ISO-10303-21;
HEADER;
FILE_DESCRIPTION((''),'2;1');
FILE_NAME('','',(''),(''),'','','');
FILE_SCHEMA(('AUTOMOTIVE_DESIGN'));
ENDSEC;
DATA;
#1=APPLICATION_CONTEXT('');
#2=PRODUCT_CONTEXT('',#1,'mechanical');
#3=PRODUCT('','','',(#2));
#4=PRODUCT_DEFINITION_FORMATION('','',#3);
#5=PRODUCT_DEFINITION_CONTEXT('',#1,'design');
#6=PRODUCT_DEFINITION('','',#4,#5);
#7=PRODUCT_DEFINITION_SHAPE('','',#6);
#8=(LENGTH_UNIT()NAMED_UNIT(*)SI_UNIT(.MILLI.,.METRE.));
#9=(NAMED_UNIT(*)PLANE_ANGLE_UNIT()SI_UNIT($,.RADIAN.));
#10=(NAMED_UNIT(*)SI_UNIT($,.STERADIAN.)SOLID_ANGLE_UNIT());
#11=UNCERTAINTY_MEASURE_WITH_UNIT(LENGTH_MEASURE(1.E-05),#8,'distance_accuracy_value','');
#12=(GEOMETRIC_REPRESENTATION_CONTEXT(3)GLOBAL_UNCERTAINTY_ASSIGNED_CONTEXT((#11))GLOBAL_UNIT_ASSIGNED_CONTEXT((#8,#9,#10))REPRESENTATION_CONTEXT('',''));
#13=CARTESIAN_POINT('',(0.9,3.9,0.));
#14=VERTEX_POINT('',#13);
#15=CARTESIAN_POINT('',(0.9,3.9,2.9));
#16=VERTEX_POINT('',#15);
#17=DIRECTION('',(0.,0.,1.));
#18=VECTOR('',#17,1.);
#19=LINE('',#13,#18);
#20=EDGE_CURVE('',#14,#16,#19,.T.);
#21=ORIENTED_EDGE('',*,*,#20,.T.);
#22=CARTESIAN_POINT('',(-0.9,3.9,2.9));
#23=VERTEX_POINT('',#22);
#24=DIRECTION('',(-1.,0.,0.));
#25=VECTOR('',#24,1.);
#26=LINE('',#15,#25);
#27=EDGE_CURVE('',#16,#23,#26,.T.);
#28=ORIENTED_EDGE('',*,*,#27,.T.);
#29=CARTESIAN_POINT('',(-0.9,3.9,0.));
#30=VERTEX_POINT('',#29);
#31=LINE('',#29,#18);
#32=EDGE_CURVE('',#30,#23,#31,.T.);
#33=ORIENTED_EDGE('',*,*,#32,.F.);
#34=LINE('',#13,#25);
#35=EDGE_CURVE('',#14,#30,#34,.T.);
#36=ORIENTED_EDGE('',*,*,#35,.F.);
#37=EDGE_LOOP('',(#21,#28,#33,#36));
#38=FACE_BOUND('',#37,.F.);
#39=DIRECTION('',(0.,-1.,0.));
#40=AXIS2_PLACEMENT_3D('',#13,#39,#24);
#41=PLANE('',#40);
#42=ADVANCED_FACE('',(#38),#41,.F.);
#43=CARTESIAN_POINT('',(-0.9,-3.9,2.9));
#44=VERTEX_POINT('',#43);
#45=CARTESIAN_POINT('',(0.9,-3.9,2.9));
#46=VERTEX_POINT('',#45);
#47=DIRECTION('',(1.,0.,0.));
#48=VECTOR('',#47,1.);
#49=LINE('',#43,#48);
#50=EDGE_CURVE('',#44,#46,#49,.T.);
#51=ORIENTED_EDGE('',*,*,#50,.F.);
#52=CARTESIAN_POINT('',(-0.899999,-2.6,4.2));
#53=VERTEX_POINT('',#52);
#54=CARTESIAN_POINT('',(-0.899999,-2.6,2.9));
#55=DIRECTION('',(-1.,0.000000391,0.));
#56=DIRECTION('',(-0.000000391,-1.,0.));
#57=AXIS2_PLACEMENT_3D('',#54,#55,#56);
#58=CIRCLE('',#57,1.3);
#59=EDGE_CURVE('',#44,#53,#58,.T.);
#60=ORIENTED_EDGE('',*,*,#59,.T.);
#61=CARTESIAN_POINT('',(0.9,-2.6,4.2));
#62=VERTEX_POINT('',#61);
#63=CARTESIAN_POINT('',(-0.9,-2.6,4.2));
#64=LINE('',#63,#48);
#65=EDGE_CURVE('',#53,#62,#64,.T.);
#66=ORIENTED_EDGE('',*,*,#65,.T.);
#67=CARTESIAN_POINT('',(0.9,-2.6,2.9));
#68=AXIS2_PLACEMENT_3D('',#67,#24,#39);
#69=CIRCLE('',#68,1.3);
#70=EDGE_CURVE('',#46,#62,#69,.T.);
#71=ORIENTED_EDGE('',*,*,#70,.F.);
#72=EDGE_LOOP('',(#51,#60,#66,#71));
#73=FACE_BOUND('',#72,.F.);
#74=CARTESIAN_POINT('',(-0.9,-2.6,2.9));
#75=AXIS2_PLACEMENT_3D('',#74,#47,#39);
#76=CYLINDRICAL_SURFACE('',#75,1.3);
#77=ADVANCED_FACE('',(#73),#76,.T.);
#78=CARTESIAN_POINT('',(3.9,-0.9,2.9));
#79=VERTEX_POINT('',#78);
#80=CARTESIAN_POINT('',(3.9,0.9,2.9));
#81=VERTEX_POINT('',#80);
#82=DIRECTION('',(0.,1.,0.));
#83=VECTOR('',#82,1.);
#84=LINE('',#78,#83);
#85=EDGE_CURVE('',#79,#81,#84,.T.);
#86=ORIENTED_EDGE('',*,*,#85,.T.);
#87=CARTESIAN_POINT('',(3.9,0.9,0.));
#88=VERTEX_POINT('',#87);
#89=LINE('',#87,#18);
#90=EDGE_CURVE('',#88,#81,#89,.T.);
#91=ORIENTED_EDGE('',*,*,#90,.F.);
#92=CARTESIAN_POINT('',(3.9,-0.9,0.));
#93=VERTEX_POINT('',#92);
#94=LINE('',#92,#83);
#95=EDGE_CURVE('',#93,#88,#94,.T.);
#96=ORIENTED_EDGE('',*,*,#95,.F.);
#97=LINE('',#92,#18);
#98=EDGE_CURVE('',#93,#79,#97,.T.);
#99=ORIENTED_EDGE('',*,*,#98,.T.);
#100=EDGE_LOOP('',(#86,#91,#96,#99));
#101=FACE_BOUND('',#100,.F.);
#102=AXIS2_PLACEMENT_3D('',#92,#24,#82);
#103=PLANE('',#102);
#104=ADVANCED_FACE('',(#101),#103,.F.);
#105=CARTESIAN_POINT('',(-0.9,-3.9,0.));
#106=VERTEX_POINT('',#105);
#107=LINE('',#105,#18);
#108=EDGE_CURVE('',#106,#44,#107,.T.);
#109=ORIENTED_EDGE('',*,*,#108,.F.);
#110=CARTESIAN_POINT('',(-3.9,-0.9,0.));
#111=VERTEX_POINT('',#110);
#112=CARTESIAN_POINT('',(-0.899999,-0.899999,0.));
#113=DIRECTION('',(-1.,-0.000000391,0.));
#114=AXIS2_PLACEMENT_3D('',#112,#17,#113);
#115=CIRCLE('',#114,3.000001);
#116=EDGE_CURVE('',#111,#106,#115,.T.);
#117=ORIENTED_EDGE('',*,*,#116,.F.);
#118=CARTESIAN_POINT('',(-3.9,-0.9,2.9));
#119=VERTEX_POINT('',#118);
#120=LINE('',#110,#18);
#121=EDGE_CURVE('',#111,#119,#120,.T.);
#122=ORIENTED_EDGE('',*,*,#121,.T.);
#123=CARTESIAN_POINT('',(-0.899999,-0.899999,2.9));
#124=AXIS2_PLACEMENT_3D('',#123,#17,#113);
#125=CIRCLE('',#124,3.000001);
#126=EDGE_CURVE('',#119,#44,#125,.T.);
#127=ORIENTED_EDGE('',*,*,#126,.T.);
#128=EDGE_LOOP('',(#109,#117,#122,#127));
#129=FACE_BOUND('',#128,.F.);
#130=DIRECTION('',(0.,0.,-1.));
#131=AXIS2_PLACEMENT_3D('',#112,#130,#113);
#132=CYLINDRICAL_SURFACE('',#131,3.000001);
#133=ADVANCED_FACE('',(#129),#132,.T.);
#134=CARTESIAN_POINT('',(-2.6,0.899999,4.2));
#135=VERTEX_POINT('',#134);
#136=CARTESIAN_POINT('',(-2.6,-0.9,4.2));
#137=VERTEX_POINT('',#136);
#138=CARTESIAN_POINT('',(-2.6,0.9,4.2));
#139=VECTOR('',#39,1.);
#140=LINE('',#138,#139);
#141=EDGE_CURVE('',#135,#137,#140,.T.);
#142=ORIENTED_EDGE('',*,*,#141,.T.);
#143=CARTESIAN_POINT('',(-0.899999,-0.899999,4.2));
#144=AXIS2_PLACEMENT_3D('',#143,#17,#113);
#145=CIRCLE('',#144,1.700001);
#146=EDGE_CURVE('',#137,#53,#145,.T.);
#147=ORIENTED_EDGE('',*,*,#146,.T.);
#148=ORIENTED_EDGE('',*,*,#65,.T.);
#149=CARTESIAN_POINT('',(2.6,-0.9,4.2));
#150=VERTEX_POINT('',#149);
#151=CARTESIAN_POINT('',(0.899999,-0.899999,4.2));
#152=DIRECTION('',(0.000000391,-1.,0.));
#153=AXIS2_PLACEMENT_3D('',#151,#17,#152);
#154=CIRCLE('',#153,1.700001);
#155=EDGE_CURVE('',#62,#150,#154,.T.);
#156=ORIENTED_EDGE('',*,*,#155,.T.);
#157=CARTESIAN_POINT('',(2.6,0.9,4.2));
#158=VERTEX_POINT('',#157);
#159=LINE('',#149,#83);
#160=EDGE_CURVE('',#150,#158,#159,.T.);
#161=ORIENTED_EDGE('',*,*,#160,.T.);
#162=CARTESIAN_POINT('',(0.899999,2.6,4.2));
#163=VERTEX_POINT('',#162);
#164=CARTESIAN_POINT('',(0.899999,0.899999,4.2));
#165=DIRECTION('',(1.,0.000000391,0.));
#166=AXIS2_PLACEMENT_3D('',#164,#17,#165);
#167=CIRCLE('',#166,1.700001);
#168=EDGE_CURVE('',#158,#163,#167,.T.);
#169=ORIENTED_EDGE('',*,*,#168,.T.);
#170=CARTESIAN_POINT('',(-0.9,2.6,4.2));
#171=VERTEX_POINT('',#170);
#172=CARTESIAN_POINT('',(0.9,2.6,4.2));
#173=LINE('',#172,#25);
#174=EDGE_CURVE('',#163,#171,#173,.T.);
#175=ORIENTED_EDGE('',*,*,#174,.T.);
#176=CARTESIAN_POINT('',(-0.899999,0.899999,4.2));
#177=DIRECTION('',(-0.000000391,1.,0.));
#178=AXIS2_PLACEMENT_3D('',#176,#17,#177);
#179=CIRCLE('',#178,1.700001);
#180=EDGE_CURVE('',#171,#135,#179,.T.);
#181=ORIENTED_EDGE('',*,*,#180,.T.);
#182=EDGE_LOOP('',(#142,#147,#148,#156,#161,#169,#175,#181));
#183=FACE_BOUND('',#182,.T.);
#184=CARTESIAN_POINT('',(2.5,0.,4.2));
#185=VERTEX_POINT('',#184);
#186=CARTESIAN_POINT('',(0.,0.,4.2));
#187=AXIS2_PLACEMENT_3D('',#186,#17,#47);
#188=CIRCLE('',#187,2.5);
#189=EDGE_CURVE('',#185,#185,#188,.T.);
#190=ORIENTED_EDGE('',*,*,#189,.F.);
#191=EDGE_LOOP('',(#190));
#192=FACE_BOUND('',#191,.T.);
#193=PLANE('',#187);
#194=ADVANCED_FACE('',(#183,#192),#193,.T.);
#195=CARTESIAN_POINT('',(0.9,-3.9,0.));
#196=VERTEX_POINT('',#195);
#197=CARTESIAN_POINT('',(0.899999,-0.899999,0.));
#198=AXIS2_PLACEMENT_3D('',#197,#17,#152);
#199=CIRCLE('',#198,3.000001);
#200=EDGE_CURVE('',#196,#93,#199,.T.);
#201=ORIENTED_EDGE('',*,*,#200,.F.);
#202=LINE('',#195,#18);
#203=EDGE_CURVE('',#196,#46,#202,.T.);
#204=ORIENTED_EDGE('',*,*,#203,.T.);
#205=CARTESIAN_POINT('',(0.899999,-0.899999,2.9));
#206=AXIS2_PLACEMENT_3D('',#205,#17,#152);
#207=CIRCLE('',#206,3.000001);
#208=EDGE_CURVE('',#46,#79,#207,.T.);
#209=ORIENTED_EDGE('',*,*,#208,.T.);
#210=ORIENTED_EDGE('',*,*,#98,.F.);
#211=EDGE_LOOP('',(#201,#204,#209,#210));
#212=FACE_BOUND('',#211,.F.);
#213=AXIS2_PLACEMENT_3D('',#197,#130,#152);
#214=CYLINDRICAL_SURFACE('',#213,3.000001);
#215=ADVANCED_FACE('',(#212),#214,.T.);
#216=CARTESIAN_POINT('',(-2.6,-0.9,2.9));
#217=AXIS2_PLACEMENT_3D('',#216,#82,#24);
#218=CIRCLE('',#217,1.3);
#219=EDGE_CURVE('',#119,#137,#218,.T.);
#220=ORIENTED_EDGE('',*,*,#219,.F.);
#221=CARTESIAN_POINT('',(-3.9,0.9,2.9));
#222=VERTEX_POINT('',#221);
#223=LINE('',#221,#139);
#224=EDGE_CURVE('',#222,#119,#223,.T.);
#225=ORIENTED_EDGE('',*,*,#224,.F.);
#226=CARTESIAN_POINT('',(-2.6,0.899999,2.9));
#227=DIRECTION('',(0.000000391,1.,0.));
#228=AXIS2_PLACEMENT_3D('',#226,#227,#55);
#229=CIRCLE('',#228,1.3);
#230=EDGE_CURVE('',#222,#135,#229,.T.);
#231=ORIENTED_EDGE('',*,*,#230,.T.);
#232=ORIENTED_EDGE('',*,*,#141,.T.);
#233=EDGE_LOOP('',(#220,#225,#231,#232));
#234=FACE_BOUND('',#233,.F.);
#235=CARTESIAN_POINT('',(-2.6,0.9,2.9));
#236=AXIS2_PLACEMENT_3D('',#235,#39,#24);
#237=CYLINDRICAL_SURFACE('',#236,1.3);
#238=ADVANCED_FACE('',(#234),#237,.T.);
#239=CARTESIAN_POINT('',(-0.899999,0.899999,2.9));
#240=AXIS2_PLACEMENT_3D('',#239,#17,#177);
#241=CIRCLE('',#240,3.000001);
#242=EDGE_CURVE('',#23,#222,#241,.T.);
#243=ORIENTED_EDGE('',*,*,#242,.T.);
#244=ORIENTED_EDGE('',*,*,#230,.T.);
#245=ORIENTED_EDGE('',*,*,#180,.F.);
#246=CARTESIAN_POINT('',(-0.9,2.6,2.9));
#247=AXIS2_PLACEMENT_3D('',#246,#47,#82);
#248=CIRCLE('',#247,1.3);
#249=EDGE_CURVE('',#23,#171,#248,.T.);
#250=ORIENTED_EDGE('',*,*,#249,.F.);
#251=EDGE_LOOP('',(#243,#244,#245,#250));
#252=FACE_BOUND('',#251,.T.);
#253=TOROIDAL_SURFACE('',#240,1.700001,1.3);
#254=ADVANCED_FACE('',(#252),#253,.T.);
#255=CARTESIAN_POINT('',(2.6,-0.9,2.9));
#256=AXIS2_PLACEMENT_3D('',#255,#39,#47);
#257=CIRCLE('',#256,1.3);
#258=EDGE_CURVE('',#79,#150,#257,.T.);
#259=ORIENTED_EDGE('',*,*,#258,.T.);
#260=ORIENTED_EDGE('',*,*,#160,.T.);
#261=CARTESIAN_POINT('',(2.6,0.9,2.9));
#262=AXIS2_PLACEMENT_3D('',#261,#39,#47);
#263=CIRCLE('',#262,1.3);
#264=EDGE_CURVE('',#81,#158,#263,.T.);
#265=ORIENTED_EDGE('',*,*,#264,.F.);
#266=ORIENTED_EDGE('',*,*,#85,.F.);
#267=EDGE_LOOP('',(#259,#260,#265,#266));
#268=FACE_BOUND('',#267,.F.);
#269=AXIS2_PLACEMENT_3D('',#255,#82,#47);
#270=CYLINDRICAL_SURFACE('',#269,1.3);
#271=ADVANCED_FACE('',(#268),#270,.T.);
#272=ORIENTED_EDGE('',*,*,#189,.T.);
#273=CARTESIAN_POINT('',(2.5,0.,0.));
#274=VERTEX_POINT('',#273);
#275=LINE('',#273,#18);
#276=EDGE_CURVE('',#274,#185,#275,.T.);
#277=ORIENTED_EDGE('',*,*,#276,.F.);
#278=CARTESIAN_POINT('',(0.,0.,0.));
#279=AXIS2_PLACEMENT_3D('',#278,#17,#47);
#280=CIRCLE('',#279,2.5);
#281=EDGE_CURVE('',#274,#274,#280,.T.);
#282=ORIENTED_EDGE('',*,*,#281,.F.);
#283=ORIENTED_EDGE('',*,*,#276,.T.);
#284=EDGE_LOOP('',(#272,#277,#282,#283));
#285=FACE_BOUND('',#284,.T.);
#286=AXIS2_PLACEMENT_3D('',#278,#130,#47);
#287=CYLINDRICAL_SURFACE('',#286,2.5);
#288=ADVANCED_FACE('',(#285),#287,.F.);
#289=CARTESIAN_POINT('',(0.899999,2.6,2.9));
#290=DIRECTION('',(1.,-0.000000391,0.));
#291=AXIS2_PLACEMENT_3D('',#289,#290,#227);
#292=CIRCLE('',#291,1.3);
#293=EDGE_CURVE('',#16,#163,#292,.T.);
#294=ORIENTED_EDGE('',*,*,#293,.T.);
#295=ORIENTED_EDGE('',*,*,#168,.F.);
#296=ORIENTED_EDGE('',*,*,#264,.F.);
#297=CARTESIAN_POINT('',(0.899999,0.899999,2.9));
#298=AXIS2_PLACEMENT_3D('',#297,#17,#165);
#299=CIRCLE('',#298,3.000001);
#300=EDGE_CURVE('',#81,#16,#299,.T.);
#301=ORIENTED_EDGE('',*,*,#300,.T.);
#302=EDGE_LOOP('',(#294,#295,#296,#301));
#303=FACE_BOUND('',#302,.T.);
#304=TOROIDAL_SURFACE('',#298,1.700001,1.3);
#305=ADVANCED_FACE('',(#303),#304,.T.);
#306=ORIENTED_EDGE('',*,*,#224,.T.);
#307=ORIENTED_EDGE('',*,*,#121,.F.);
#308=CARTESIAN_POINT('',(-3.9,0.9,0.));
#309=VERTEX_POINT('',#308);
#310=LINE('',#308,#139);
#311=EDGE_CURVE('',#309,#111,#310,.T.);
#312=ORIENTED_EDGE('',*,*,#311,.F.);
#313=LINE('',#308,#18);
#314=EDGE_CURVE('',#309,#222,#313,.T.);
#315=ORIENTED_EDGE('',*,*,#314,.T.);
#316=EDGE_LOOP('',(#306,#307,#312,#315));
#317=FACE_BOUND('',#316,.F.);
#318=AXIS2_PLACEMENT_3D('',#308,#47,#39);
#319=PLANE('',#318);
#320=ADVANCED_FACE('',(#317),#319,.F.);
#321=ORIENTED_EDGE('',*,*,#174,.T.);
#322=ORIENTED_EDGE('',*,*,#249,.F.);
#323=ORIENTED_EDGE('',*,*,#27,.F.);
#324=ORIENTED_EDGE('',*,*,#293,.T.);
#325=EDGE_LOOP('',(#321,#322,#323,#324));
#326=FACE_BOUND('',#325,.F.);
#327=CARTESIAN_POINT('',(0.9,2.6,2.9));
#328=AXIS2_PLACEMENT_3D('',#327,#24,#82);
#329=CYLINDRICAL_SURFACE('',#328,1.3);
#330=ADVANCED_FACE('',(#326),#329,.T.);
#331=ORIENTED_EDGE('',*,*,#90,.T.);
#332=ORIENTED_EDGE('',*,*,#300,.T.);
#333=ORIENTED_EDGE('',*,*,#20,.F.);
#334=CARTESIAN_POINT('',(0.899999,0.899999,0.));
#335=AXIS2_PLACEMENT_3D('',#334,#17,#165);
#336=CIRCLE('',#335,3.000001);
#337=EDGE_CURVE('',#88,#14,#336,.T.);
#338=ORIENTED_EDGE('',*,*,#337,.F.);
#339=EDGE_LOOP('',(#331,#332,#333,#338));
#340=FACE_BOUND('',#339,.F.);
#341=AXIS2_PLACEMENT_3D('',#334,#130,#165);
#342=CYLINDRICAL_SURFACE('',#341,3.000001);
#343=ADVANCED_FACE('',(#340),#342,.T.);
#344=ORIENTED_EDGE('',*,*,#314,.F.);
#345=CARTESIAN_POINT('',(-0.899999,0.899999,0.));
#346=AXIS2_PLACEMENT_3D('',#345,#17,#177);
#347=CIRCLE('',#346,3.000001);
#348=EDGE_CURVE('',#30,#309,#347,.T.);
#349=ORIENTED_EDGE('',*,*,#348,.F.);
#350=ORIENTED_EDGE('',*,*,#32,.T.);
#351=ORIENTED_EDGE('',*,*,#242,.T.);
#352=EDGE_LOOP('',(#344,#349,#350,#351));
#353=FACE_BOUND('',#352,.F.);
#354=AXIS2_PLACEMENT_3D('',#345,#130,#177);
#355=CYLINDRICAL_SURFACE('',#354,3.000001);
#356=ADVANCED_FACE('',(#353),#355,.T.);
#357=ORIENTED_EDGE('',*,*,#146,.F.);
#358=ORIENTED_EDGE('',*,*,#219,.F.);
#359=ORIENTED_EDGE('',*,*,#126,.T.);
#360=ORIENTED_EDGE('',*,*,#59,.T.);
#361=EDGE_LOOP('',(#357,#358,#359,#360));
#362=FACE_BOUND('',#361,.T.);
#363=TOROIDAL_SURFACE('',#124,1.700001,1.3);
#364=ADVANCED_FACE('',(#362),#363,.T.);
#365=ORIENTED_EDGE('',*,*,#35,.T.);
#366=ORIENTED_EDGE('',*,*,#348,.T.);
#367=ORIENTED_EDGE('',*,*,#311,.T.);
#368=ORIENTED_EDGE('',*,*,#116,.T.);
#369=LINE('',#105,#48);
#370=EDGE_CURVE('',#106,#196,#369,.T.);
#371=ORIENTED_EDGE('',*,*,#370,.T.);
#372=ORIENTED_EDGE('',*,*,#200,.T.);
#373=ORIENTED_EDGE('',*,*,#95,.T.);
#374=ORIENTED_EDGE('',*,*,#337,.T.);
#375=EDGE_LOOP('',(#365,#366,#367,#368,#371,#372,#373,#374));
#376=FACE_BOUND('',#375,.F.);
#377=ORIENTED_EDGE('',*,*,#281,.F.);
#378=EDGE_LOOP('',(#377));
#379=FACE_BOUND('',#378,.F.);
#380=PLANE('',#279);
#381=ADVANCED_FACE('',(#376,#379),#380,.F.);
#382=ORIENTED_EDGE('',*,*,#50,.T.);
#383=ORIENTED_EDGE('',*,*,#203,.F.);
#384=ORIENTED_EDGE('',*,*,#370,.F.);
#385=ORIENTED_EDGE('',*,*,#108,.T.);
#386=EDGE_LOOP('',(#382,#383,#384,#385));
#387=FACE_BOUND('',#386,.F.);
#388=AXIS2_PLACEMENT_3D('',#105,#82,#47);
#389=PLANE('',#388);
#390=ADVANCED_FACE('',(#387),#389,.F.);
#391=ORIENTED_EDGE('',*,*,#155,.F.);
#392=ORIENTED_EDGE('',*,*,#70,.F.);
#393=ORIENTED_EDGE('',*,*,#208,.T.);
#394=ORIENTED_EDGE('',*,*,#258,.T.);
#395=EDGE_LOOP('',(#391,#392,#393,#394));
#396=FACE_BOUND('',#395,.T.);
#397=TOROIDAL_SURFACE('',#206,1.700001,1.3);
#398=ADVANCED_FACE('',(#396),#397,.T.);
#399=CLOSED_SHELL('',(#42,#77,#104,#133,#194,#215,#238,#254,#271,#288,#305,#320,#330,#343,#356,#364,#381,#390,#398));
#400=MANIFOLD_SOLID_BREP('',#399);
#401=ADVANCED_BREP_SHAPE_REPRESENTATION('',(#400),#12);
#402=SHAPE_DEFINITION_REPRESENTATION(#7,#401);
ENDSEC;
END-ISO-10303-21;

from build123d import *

# Parameters (mm, degrees)
SKETCH_R  = 2.5
PAD_DEPTH = 4.2
FILLET_R  = 1.3


with BuildPart() as part:
    # Sketch → Pad (new body)
    with BuildSketch(Plane.XY):
        with BuildLine():
            Line((-3.9, 0.9), (-3.9, -0.9))
            ThreePointArc((-3.9, -0.9), (-3.02132, -3.02132), (-0.9, -3.9))
            Line((-0.9, -3.9), (0.9, -3.9))
            ThreePointArc((0.9, -3.9), (3.02132, -3.02132), (3.9, -0.9))
            Line((3.9, -0.9), (3.9, 0.9))
            ThreePointArc((3.9, 0.9), (3.02132, 3.02132), (0.9, 3.9))
            Line((0.9, 3.9), (-0.9, 3.9))
            ThreePointArc((-0.9, 3.9), (-3.02132, 3.02132), (-3.9, 0.9))
        make_face()
        Circle(SKETCH_R, mode=Mode.SUBTRACT)
    extrude(amount=PAD_DEPTH)

    # Fillet
    fillet_edges = [part.edges().sort_by_distance(p)[0] for p in [
        (3.9, 0, 4.2),
    ]]
    fillet(fillet_edges, radius=FILLET_R)


solid = part.part
